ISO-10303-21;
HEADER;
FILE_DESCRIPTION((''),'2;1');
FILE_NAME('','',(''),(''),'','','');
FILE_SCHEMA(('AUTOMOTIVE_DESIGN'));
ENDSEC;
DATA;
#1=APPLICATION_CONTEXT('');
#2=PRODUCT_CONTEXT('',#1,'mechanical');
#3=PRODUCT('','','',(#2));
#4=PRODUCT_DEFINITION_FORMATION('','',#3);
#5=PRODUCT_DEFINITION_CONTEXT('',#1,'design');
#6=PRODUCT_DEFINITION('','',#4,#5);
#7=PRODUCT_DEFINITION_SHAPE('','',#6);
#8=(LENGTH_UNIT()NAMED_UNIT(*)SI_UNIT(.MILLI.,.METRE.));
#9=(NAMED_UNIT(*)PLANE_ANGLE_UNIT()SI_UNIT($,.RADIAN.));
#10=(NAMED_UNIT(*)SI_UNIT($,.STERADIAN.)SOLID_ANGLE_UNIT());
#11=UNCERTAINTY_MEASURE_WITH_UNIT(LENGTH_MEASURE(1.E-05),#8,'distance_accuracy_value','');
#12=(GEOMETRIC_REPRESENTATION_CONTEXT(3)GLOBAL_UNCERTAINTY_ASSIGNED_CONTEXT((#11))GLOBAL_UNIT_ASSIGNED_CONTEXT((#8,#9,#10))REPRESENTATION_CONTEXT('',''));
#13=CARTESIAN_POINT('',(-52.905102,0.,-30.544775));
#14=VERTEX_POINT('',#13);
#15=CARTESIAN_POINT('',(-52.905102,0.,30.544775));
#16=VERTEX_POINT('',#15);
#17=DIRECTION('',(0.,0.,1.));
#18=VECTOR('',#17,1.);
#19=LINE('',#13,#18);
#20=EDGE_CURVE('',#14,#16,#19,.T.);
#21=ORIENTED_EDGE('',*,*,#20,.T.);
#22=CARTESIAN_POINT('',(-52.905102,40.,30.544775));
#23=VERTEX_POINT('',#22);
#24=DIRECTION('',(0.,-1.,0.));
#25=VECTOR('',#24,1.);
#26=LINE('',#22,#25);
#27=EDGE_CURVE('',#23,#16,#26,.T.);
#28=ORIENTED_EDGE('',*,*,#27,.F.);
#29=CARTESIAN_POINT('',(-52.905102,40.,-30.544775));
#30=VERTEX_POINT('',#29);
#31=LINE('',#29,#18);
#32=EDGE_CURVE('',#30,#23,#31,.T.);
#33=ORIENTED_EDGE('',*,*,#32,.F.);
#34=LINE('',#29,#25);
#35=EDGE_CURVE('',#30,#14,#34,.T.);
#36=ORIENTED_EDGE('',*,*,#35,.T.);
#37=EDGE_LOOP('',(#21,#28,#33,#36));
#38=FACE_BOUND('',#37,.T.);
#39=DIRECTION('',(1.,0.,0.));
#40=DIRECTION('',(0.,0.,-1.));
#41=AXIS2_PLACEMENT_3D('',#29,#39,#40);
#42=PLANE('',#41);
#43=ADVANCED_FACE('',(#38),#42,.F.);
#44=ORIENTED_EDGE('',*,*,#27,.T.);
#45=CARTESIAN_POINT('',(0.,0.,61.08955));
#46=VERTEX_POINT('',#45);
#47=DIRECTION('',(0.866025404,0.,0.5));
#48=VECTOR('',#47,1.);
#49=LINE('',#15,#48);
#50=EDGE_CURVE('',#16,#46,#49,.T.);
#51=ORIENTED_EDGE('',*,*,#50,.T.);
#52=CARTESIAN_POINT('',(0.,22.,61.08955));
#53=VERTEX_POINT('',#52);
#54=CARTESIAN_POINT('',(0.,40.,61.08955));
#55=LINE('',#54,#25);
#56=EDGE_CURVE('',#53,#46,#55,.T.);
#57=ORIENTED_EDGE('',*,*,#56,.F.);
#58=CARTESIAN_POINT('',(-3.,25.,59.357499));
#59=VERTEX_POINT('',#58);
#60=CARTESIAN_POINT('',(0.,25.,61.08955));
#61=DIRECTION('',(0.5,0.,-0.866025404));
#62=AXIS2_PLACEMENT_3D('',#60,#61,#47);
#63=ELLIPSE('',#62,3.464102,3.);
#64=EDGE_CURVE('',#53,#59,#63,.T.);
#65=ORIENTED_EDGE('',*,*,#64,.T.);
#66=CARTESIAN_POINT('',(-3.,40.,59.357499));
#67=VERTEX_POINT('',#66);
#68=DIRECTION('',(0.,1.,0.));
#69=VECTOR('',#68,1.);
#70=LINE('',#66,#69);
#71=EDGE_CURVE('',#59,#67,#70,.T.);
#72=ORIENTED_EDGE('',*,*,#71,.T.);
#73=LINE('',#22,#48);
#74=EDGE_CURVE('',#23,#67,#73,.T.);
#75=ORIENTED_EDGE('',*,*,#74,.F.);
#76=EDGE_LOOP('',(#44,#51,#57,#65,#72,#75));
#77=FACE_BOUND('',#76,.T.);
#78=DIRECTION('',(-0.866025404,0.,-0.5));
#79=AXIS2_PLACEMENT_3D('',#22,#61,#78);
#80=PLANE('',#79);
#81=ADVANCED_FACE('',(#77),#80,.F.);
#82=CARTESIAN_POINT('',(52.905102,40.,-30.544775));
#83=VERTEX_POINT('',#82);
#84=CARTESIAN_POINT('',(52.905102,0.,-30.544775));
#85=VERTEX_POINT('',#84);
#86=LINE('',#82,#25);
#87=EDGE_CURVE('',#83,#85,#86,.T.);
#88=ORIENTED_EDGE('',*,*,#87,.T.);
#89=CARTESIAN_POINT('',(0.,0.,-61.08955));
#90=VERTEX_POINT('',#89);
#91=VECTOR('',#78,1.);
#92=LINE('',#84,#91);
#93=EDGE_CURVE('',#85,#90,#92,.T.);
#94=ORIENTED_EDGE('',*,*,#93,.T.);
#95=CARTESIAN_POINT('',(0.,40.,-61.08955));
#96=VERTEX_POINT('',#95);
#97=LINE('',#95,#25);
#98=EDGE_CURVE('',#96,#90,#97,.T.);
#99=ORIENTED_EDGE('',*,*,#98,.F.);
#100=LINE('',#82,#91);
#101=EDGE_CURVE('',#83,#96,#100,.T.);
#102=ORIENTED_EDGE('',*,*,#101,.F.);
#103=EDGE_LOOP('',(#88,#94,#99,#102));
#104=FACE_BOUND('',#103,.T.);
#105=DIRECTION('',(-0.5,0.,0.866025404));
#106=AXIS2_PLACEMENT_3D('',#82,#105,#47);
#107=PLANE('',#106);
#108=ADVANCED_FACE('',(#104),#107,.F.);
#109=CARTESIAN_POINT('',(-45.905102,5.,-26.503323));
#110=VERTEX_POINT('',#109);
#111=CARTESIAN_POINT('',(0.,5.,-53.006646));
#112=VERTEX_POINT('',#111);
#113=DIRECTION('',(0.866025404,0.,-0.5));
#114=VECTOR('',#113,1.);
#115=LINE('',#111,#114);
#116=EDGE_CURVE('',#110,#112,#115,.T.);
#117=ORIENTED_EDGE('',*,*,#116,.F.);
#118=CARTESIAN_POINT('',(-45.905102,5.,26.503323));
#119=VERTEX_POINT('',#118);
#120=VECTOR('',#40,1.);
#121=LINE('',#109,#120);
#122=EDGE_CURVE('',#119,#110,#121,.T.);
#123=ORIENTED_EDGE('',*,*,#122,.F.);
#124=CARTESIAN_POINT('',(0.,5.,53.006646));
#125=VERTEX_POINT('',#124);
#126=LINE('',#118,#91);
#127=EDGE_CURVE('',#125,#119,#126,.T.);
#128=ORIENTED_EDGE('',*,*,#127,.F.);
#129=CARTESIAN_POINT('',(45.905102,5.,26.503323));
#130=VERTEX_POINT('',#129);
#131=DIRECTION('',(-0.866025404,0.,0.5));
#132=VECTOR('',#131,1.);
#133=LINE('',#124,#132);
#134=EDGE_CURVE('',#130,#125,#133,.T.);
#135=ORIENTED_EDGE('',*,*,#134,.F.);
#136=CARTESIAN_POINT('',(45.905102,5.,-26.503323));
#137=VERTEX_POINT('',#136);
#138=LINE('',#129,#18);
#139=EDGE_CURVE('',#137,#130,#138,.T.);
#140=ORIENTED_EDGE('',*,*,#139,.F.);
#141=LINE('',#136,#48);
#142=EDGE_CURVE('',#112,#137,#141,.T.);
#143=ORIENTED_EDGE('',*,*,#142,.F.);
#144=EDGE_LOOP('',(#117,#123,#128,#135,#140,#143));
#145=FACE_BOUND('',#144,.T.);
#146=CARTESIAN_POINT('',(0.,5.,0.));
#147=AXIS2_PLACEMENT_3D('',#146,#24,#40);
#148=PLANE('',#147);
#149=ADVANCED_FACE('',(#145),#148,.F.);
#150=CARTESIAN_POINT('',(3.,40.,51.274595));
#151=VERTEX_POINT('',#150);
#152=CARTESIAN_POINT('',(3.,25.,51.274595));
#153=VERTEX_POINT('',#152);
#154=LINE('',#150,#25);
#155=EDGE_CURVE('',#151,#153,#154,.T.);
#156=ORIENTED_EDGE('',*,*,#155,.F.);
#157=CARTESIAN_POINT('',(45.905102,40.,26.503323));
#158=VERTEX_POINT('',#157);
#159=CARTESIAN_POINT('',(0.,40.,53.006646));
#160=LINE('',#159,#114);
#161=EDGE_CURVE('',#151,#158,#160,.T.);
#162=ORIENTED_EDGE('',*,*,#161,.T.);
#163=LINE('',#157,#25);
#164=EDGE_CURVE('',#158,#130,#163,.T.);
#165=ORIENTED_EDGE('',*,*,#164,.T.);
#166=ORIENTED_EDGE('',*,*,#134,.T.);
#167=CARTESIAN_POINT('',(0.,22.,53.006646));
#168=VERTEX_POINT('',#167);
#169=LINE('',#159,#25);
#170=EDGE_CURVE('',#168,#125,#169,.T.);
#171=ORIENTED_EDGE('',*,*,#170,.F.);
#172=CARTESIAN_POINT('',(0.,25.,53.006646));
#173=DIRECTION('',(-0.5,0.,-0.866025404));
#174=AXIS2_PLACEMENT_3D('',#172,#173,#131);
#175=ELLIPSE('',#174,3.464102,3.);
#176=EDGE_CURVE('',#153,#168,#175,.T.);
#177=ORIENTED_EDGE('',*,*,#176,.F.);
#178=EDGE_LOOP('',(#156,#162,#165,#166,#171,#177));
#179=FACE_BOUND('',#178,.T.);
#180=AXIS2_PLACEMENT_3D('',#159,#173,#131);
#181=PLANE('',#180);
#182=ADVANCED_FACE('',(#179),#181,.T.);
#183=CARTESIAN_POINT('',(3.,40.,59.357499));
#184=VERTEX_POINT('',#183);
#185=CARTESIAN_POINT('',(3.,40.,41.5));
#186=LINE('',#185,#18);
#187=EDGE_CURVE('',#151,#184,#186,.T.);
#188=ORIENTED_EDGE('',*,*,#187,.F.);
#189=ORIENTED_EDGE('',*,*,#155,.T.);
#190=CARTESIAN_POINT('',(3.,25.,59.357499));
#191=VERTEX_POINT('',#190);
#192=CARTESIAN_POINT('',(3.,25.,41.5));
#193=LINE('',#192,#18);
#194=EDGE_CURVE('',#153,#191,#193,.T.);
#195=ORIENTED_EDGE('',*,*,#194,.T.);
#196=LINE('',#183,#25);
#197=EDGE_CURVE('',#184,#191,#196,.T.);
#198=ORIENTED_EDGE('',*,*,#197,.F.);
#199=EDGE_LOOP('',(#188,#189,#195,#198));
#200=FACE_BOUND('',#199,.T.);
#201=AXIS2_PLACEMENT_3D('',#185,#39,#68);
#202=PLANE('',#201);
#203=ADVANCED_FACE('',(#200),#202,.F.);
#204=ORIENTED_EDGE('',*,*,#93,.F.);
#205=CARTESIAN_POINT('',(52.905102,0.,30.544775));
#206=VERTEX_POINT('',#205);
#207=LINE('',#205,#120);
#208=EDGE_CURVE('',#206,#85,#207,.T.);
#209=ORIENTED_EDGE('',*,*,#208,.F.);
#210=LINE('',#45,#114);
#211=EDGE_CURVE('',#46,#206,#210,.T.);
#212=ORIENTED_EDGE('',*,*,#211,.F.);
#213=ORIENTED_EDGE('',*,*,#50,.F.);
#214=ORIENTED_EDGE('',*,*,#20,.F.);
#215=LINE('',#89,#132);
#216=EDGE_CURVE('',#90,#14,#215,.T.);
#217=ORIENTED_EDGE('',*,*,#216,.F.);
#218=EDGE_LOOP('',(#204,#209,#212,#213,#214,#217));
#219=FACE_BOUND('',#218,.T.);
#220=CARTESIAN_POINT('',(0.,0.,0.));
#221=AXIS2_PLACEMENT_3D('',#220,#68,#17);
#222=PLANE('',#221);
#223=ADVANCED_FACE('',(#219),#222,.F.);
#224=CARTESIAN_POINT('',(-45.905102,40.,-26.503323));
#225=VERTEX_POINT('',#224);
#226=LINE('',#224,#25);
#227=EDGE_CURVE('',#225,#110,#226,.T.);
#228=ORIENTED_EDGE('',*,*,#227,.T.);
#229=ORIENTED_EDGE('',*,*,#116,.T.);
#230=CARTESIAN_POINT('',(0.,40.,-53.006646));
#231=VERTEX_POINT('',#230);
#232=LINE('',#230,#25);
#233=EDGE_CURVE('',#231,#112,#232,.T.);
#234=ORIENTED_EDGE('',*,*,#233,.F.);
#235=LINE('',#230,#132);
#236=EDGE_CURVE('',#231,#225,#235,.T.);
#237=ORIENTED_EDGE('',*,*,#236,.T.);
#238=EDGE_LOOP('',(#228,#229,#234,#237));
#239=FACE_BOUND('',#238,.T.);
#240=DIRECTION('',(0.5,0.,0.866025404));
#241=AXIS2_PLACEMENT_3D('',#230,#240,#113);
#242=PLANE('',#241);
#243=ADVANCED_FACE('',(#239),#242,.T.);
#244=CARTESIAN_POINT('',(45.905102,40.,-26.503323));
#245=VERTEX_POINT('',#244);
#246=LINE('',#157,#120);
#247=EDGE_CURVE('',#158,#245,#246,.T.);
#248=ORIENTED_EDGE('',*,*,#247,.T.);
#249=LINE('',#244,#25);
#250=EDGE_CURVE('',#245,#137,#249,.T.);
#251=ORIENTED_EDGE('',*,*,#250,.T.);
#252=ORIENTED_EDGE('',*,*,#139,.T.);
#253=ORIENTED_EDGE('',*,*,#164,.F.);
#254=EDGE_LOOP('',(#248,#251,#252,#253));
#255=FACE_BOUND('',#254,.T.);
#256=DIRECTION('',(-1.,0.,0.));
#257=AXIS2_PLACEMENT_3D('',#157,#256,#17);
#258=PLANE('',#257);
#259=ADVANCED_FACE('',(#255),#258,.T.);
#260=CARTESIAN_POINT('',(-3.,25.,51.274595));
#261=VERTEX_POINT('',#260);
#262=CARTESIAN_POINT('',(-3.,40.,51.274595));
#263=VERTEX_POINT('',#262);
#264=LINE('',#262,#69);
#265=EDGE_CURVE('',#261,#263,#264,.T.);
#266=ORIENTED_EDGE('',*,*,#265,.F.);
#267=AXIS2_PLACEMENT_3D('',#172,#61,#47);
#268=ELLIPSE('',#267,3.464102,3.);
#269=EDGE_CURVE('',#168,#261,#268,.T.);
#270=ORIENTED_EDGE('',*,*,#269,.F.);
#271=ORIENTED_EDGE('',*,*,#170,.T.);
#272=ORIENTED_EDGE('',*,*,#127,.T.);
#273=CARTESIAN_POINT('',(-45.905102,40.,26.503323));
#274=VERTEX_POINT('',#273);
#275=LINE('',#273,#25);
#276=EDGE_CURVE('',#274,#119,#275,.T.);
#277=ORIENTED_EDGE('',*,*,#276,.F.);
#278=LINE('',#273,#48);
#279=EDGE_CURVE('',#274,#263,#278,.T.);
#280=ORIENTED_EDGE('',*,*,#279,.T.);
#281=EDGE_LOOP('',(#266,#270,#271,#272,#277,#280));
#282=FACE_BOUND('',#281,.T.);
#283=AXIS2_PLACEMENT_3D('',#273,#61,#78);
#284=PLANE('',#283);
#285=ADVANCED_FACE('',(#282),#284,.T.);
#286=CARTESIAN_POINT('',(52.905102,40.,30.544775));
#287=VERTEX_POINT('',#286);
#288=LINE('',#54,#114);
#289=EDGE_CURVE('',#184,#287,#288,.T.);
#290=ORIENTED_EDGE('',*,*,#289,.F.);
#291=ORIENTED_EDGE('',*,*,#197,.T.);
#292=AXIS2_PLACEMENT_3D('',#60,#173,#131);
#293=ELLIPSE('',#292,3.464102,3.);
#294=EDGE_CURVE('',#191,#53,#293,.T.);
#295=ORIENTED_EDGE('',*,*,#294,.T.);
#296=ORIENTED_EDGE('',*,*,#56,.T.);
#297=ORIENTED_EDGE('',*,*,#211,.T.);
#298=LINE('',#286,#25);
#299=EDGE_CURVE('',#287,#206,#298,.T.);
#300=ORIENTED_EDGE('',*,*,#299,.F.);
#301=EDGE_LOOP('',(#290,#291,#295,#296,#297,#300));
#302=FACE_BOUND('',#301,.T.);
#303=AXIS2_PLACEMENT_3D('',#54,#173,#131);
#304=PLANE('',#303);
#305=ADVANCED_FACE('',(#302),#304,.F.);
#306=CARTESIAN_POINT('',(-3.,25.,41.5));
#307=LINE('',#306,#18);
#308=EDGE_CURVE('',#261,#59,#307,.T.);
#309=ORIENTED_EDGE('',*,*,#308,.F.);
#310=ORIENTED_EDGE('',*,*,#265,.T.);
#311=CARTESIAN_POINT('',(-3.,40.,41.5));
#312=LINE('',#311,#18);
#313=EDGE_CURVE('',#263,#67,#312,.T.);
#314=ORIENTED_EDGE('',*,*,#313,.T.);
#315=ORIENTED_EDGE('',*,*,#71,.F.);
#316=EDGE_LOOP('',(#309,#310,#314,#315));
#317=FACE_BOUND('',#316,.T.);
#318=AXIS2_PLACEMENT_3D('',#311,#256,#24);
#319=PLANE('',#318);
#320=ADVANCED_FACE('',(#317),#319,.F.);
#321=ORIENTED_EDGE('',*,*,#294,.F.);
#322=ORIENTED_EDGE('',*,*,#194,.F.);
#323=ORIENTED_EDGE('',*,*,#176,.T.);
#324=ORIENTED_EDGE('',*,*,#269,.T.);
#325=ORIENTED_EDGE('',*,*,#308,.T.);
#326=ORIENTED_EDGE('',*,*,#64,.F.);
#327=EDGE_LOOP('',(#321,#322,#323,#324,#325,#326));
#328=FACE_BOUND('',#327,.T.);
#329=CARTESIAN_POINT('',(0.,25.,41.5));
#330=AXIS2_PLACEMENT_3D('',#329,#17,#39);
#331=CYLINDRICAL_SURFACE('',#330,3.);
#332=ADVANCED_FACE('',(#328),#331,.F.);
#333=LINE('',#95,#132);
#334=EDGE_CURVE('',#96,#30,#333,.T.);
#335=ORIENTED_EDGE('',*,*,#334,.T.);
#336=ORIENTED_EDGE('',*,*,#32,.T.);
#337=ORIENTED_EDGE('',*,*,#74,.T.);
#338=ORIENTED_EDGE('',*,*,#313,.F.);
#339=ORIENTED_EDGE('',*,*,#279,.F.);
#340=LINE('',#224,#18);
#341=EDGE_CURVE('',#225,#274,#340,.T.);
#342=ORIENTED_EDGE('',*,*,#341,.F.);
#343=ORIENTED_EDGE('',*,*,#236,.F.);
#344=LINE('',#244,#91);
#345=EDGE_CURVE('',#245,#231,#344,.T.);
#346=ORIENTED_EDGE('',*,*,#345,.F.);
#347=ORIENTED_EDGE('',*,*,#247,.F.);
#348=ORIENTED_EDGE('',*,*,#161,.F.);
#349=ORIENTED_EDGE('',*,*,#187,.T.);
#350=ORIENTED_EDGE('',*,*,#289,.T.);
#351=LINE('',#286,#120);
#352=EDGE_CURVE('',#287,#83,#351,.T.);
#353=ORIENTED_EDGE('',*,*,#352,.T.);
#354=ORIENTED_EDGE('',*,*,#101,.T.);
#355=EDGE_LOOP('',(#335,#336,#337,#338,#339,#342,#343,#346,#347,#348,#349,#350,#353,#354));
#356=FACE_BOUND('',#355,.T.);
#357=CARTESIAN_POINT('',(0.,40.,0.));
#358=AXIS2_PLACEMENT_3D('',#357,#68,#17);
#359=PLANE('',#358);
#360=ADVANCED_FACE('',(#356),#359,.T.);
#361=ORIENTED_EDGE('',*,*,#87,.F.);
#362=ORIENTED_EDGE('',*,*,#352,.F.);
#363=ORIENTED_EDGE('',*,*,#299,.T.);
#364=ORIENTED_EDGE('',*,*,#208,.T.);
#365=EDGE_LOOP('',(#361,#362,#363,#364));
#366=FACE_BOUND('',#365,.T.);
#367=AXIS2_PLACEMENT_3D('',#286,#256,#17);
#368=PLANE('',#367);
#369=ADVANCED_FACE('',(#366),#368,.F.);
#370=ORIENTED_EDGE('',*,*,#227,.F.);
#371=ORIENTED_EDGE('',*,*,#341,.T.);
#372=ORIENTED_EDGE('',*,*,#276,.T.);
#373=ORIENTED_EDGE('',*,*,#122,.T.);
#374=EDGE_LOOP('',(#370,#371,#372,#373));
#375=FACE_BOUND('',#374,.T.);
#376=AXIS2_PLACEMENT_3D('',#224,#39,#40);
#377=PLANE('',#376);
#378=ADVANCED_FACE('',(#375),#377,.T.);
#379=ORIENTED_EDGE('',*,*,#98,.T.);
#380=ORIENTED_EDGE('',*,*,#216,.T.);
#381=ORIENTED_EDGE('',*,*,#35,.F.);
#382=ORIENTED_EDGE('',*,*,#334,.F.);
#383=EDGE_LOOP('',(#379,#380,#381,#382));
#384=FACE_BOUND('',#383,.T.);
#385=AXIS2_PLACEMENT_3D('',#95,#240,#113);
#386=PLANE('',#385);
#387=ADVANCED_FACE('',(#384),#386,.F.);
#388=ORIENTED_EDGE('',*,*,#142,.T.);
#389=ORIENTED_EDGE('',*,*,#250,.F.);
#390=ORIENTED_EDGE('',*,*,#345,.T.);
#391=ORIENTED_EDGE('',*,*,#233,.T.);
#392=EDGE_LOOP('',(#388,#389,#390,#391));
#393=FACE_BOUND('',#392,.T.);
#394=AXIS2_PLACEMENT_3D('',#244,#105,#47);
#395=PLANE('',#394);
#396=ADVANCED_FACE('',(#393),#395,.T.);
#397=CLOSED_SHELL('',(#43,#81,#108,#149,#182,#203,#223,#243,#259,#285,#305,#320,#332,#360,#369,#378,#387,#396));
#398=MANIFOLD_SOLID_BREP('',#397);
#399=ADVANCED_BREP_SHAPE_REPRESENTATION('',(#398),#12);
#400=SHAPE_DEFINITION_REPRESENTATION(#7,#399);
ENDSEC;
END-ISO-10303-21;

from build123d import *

# Parameters (mm, degrees)
BOSS_EXTRUDE1_DEPTH = 40
BOSS_EXTRUDE5_DEPTH = 5
CUT_EXTRUDE2_DEPTH  = 19.5


with BuildPart() as part:
    # Sketch2 → Boss-Extrude1 (new body)
    with BuildSketch(Plane(origin=(0, 0, 0), x_dir=(1, 0, 0), z_dir=(0, 1, 0))):
        Polygon((52.905102206, -30.544775), (52.905102206, 30.544775), (0, 61.08955), (-52.905102206, 30.544775), (-52.905102206, -30.544775), (0, -61.08955), align=None)
        Polygon((45.905102206, -26.503323116), (45.905102206, 26.503323116), (0, 53.006646231), (-45.905102206, 26.503323116), (-45.905102206, -26.503323116), (0, -53.006646231), align=None, mode=Mode.SUBTRACT)
    extrude(amount=BOSS_EXTRUDE1_DEPTH)

    # Sketch7 → Boss-Extrude5 (add)
    with BuildSketch(Plane.XZ):
        Polygon((-49.405102206, 28.524049058), (-49.405102206, -28.524049058), (0, -57.048098116), (49.405102206, -28.524049058), (49.405102206, 28.524049058), (0, 57.048098116), align=None)
    extrude(amount=-BOSS_EXTRUDE5_DEPTH)

    # Sketch8 → Cut-Extrude2 (cut, symmetric)
    with BuildSketch(Plane.XY.offset(61)):
        with BuildLine():
            Line((3, 40), (3, 25))
            ThreePointArc((3, 25), (2.121320344, 22.878679656), (0, 22))
            ThreePointArc((0, 22), (-2.121320344, 22.878679656), (-3, 25))
            Line((-3, 25), (-3, 40))
            Line((-3, 40), (0, 40))
            Line((0, 40), (3, 40))
        make_face()
    extrude(amount=CUT_EXTRUDE2_DEPTH, both=True, mode=Mode.SUBTRACT)


solid = part.part
